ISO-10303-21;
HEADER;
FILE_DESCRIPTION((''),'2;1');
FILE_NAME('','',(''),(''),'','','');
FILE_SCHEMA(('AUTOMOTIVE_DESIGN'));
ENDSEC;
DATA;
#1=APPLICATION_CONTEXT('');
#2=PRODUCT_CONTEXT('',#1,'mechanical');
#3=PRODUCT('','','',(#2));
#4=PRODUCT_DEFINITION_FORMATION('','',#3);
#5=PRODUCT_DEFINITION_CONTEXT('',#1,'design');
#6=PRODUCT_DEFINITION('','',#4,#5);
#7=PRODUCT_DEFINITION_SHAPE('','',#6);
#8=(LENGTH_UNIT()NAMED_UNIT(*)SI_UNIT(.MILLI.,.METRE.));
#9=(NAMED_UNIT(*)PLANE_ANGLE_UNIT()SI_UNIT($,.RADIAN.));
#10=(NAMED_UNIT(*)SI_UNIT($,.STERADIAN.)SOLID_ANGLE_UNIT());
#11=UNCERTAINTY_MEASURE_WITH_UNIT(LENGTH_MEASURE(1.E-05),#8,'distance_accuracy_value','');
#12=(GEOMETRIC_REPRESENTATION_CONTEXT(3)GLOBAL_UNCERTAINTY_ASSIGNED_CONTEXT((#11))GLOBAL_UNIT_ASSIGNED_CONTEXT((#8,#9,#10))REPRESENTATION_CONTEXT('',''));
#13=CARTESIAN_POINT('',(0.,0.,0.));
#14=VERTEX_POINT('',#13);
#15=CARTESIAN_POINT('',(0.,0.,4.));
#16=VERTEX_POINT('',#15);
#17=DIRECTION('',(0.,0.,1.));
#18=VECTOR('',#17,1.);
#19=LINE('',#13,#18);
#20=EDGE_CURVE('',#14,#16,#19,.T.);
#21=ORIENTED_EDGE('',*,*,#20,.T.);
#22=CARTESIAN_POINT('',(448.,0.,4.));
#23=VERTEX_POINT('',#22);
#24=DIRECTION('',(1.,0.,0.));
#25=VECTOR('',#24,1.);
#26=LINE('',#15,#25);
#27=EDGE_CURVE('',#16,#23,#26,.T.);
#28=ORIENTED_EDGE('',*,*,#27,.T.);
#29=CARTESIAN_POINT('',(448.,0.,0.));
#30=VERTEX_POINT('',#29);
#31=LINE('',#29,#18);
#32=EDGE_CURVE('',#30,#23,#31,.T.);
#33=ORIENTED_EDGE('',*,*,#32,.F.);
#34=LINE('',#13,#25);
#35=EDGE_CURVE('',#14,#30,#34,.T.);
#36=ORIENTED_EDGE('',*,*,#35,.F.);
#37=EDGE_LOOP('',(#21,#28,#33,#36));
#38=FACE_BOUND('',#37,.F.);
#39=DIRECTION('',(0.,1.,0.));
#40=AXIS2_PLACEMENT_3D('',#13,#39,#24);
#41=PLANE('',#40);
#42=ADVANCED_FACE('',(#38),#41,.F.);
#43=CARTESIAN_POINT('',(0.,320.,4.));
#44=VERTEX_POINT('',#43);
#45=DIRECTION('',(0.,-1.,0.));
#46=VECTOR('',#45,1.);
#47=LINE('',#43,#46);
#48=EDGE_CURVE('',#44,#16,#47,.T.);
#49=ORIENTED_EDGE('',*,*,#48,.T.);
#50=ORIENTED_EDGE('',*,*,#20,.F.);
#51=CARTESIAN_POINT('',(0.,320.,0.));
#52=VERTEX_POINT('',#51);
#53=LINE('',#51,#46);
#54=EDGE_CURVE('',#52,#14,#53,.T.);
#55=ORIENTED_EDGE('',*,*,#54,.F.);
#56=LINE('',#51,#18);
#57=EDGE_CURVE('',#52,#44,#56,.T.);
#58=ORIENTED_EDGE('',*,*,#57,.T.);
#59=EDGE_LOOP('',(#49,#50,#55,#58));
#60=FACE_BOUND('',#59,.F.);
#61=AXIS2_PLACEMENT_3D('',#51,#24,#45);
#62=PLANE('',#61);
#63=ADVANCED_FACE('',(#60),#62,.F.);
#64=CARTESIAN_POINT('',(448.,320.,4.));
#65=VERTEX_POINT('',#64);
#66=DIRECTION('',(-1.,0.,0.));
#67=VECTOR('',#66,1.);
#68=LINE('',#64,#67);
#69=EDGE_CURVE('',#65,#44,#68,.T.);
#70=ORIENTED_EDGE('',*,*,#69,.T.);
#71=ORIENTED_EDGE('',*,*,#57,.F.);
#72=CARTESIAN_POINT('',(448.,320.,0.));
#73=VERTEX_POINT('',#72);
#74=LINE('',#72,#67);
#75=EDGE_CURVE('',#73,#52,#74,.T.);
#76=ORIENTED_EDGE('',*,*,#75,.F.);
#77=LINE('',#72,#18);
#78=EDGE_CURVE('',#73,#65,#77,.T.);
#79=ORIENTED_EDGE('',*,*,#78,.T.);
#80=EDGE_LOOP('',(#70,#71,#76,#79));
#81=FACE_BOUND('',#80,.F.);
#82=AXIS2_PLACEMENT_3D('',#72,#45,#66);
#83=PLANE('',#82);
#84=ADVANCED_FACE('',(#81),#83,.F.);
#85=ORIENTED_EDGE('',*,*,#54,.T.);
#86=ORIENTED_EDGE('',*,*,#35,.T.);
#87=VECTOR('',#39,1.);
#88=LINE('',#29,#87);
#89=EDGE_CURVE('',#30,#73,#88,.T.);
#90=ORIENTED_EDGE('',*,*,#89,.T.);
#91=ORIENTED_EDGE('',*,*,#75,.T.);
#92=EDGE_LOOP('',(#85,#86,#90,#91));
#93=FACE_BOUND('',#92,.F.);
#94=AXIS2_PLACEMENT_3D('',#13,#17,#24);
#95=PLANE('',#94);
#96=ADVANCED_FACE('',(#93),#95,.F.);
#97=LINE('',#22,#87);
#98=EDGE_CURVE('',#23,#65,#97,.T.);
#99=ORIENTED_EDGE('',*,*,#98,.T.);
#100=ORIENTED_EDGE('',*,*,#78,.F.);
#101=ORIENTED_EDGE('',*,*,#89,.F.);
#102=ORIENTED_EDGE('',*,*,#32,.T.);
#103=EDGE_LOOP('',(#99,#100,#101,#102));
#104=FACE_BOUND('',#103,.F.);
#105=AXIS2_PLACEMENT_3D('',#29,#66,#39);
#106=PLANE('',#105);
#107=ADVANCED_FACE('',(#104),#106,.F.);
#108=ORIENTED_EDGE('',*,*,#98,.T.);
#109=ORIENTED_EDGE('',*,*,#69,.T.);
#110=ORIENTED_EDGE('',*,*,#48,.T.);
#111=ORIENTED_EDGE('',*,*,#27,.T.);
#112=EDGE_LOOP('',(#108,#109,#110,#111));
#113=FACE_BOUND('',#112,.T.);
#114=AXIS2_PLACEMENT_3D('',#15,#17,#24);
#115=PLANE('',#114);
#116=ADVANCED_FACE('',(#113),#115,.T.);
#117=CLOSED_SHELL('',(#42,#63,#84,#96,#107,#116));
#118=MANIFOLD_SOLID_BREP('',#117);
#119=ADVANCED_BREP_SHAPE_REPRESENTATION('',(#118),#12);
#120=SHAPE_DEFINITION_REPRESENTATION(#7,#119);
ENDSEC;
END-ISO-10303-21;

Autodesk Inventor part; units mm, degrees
ref_plane "YZ Plane" through (0, 0, 0) normal (1, 0, 0) x (0, 1, 0)
ref_plane "XZ Plane" through (0, 0, 0) normal (0, 1, 0) x (-1, 0, 0)
ref_plane "XY Plane" through (0, 0, 0) normal (0, 0, 1) x (1, 0, 0)
sketch "スケッチ1" plane through (0, 0, 0) normal (0, 0, 1) x (1, 0, 0)
  line L0 (0, 0) -> (448, 0)
  line L1 (448, 0) -> (448, 320)
  line L2 (448, 320) -> (0, 320)
  line L3 (0, 320) -> (0, 0)
  dimension "d0" = 448
  dimension "d1" = 320
extrude "押し出し1" add sketch "スケッチ1" along normal blind 4
properties part number "防水p4"
